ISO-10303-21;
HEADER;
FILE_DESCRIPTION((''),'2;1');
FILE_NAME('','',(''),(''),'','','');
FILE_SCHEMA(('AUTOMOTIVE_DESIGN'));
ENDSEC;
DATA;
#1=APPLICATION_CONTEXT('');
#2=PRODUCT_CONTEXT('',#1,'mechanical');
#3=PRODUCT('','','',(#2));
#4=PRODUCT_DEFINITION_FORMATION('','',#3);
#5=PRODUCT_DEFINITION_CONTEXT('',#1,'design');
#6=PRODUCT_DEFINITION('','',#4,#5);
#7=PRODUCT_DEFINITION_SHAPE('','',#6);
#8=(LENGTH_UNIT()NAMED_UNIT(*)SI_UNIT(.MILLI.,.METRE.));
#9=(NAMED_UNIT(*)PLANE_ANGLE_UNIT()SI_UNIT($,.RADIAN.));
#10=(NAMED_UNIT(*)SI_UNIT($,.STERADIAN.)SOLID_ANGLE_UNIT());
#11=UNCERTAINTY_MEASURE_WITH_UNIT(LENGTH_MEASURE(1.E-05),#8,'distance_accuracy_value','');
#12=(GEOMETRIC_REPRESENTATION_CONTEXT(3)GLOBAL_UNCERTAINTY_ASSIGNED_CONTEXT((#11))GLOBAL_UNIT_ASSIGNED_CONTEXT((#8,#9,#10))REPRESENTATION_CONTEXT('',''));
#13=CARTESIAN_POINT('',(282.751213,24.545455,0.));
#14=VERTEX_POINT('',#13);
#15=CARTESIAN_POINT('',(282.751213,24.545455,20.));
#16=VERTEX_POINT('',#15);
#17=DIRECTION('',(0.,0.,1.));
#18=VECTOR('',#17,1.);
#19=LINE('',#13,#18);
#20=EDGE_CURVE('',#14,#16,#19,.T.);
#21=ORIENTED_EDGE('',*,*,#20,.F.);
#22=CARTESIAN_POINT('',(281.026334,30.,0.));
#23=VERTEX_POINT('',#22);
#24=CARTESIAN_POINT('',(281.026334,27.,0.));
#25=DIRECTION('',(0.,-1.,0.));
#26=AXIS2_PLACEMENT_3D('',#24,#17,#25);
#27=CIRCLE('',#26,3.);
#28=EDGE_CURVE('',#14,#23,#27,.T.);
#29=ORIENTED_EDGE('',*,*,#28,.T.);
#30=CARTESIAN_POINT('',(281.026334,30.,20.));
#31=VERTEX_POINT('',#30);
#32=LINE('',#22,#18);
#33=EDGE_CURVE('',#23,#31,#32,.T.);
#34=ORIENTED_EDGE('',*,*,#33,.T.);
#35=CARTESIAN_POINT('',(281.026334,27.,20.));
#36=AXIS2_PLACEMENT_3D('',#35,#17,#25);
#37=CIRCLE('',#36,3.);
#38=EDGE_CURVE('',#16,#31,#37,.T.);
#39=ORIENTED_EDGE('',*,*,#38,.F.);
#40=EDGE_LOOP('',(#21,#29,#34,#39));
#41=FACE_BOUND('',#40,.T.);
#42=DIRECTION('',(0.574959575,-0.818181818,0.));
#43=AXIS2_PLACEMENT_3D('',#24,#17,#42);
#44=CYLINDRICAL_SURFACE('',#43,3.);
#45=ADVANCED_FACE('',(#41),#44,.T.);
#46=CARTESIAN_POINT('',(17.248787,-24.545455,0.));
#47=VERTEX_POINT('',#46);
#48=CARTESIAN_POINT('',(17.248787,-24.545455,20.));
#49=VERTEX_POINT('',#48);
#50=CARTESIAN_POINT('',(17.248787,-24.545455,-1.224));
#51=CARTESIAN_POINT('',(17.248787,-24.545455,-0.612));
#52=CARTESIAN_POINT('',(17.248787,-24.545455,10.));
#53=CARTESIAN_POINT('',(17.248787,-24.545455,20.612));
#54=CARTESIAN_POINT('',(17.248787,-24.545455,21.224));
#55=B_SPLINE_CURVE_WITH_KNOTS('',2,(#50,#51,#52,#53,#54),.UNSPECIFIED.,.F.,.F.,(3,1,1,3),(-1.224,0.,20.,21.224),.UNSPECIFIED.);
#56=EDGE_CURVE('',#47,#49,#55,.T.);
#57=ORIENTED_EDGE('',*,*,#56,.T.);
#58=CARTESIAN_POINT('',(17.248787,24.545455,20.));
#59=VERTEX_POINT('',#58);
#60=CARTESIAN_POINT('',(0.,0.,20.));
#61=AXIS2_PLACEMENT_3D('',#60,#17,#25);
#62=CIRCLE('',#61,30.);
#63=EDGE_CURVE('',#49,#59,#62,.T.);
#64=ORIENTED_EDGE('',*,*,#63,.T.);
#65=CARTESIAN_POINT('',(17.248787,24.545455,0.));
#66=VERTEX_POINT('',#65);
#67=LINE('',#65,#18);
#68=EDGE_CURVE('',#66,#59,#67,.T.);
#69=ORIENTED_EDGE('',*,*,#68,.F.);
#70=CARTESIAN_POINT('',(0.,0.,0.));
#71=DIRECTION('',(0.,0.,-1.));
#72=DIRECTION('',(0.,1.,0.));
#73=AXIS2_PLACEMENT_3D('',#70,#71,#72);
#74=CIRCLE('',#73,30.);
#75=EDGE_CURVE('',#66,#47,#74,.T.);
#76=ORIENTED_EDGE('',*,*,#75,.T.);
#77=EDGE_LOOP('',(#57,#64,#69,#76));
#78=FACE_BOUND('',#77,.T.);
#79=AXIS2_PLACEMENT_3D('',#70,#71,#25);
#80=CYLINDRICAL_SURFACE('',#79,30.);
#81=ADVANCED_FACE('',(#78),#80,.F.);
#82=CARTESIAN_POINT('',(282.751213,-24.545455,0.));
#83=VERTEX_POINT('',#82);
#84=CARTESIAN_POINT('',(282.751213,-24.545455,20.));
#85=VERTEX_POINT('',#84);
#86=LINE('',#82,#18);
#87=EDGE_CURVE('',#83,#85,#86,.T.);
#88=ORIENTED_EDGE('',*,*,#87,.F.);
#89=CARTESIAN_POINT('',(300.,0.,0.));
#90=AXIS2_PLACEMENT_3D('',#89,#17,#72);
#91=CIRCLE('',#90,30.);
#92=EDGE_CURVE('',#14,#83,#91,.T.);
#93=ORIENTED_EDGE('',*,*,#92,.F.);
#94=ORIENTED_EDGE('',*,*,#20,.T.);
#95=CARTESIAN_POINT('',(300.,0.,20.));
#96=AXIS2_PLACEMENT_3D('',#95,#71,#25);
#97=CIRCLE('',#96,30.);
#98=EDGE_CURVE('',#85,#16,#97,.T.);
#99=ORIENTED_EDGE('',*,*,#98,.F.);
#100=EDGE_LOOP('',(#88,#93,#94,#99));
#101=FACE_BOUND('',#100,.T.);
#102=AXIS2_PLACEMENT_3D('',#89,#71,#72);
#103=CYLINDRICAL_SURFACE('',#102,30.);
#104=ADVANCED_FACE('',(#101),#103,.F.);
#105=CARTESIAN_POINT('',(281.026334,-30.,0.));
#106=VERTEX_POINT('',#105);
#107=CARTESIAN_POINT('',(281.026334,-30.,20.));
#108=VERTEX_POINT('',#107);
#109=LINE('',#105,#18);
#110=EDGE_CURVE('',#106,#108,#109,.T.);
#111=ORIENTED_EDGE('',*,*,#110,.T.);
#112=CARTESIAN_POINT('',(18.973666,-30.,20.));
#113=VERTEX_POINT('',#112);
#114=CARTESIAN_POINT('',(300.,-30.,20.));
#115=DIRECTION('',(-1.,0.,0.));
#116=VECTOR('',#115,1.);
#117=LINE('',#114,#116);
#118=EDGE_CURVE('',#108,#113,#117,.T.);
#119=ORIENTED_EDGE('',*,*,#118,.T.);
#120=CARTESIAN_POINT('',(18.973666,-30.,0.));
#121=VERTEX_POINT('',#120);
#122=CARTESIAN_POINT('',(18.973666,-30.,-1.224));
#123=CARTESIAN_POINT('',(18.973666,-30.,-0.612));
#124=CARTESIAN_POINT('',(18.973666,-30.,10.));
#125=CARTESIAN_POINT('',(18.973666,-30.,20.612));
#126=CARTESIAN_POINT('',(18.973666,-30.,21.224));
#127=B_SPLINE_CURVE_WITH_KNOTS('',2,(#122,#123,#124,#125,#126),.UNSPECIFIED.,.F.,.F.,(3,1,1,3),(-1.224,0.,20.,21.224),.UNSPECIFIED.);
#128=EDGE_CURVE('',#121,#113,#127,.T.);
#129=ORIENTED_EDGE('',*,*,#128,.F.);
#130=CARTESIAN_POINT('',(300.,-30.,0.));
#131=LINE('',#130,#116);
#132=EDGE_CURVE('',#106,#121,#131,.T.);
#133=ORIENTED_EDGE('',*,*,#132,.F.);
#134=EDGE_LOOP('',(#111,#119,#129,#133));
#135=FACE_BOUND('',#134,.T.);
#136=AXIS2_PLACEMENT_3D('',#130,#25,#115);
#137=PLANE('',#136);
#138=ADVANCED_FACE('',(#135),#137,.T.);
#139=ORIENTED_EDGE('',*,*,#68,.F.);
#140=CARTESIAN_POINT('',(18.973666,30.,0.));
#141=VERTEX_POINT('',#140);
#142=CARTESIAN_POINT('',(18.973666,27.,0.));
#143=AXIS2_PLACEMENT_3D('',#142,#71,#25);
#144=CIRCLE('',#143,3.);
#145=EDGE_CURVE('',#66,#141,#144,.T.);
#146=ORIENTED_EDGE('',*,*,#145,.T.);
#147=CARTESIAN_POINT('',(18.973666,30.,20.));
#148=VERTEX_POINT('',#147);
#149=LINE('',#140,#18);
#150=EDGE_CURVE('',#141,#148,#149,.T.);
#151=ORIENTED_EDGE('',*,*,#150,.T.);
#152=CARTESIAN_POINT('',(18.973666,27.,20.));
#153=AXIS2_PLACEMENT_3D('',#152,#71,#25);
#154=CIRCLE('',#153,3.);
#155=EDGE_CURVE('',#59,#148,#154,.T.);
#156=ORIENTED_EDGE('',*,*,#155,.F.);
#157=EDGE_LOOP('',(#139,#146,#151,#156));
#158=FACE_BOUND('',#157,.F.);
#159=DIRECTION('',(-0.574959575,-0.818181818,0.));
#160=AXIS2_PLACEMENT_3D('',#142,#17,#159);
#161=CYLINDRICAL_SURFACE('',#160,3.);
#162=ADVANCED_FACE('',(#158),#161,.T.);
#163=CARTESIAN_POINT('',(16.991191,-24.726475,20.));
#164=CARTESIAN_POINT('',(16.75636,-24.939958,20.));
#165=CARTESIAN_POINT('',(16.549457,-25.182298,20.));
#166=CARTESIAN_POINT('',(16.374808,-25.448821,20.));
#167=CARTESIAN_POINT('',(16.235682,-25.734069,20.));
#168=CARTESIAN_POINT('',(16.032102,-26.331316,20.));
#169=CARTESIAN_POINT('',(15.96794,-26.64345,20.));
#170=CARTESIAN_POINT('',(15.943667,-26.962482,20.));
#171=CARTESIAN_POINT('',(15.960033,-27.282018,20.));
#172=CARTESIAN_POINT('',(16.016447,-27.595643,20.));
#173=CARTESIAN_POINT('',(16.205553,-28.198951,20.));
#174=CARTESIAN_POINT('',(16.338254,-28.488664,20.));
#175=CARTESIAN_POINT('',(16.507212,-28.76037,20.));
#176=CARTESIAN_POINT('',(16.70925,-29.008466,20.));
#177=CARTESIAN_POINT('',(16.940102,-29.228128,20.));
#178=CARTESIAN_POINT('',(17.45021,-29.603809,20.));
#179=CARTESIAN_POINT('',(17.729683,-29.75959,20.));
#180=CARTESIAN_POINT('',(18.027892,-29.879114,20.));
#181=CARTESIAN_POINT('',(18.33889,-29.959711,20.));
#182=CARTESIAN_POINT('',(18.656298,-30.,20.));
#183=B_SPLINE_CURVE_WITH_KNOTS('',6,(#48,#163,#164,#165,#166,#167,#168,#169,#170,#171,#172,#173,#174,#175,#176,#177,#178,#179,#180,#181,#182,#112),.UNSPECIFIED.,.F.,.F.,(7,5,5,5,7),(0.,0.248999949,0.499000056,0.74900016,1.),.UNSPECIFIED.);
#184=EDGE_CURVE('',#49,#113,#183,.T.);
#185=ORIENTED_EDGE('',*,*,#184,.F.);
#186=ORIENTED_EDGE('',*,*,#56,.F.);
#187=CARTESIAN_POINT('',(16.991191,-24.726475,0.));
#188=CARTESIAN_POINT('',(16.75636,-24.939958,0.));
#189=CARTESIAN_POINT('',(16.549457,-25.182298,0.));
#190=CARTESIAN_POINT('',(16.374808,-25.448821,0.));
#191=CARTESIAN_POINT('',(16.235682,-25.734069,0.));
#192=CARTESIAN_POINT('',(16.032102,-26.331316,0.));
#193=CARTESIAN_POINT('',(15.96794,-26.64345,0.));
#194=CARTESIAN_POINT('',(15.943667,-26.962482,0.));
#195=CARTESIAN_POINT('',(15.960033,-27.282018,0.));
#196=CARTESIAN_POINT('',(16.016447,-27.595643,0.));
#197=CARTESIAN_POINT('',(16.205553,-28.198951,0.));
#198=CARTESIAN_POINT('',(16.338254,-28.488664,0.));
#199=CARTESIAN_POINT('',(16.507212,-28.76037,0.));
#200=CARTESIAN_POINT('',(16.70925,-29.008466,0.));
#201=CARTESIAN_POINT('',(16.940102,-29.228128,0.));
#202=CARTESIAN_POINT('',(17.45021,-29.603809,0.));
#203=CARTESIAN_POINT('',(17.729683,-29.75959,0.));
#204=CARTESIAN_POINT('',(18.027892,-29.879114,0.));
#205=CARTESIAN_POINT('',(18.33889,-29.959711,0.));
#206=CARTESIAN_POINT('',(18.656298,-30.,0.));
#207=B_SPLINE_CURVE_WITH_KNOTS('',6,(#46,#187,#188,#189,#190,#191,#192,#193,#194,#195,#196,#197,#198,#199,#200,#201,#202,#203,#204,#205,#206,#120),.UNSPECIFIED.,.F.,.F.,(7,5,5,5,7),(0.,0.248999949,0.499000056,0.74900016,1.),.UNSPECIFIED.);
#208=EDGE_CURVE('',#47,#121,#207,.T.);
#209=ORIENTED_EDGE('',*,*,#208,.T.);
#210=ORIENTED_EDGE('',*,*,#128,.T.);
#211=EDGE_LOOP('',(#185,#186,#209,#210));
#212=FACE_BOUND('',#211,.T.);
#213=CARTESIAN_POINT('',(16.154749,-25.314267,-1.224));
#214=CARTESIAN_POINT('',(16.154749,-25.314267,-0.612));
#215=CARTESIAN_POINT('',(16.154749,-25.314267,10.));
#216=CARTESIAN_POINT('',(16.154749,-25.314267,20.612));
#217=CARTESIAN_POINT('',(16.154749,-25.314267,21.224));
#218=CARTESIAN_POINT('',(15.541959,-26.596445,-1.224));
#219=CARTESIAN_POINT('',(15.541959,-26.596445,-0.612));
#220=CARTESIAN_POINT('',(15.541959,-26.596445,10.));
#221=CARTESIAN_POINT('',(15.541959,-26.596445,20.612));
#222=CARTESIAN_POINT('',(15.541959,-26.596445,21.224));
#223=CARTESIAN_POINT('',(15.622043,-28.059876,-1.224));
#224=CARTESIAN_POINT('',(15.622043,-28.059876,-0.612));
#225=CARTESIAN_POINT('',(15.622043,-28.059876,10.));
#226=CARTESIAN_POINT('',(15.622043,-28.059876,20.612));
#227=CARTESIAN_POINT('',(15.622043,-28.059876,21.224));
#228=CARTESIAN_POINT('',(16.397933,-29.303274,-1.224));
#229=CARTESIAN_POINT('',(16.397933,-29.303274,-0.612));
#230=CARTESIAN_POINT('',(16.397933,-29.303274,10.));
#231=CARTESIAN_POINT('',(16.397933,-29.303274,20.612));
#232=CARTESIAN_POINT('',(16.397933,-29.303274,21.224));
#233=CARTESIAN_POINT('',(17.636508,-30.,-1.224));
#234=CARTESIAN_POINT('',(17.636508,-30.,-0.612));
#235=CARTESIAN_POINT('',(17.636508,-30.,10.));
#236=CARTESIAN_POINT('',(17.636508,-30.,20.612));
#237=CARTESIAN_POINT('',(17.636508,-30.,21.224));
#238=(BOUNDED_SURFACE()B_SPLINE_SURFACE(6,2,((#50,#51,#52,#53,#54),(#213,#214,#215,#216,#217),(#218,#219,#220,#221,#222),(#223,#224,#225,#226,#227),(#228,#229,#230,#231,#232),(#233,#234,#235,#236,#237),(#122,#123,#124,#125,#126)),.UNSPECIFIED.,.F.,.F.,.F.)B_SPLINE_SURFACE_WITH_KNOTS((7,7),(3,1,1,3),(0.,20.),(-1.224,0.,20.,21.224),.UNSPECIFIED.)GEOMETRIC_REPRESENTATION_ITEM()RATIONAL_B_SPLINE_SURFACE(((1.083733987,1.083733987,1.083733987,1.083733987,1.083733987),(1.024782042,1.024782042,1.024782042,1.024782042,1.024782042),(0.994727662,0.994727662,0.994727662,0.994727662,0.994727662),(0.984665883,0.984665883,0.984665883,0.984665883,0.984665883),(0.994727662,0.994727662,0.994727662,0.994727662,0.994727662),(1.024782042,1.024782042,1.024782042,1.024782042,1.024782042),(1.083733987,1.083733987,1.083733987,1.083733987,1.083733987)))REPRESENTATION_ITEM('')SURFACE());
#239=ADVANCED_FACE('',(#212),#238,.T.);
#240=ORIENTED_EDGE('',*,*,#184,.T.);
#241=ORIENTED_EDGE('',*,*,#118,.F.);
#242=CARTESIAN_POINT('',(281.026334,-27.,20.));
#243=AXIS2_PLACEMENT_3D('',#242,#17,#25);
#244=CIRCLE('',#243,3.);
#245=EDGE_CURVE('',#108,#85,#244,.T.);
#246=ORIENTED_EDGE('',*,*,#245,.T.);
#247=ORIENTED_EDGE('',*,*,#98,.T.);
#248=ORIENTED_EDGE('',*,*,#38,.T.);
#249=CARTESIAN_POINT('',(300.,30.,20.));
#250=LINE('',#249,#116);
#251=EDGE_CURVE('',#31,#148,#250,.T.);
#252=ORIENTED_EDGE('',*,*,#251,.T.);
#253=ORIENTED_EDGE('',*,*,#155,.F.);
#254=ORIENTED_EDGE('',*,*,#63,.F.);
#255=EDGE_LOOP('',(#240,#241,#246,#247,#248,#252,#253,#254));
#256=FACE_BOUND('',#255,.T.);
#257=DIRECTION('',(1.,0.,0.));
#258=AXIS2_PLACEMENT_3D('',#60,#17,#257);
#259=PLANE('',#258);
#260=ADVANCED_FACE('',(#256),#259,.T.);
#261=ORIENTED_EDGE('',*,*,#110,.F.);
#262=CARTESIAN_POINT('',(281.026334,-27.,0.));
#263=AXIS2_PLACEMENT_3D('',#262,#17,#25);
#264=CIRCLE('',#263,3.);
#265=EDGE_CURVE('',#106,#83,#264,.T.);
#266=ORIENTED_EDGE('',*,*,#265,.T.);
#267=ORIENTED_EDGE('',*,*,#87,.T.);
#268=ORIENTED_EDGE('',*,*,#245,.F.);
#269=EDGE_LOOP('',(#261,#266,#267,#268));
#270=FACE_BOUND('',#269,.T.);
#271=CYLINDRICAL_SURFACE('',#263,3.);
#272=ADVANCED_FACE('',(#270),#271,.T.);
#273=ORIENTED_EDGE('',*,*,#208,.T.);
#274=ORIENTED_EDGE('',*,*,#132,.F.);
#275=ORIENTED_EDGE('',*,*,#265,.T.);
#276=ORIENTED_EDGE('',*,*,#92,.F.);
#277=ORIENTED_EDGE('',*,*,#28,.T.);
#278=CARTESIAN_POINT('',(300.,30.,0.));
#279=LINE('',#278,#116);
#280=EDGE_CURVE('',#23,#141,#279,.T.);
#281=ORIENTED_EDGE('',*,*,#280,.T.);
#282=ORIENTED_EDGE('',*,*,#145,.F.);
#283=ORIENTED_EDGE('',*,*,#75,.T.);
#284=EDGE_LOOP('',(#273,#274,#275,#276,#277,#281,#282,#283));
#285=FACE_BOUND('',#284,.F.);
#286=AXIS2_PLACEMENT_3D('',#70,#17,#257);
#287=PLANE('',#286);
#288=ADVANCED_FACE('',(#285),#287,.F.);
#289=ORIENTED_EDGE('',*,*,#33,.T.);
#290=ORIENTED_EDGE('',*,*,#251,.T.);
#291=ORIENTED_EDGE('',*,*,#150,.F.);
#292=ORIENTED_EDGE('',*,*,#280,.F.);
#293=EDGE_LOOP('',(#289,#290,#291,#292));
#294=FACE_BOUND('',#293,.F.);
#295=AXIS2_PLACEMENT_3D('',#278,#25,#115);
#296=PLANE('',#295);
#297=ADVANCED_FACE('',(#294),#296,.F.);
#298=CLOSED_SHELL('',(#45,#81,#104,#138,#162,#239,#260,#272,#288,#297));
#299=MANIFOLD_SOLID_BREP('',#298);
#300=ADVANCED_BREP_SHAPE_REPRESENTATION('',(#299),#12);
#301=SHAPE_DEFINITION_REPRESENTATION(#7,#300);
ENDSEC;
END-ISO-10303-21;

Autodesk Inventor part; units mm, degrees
ref_plane "YZ Plane" through (0, 0, 0) normal (1, 0, 0) x (0, 1, 0)
ref_plane "XZ Plane" through (0, 0, 0) normal (0, 1, 0) x (-1, 0, 0)
ref_plane "XY Plane" through (0, 0, 0) normal (0, 0, 1) x (1, 0, 0)
sketch "Sketch1" plane through (0, 0, 0) normal (0, 0, 1) x (1, 0, 0)
  arc A0 (0, -30) -> (0, 30) centre (0, 0) ccw
  line L0 (0, 0) -> (300, 0)
  arc A1 (300, 30) -> (300, -30) centre (300, 0) ccw
  line L1 (300, 30) -> (0, 30)
  line L2 (300, -30) -> (0, -30)
  dimension "d6" = 60
  dimension "d7" = 300
  dimension "d8" = 60
extrude "Extrusion2" add sketch "Sketch1" along normal blind 20
fillet "Fillet2" radius 3 4 edges at (300, 30, 10) (300, -30, 10) (0, -30, 10) (0, 30, 10)
properties part number "arm_0_extension_attacher"
